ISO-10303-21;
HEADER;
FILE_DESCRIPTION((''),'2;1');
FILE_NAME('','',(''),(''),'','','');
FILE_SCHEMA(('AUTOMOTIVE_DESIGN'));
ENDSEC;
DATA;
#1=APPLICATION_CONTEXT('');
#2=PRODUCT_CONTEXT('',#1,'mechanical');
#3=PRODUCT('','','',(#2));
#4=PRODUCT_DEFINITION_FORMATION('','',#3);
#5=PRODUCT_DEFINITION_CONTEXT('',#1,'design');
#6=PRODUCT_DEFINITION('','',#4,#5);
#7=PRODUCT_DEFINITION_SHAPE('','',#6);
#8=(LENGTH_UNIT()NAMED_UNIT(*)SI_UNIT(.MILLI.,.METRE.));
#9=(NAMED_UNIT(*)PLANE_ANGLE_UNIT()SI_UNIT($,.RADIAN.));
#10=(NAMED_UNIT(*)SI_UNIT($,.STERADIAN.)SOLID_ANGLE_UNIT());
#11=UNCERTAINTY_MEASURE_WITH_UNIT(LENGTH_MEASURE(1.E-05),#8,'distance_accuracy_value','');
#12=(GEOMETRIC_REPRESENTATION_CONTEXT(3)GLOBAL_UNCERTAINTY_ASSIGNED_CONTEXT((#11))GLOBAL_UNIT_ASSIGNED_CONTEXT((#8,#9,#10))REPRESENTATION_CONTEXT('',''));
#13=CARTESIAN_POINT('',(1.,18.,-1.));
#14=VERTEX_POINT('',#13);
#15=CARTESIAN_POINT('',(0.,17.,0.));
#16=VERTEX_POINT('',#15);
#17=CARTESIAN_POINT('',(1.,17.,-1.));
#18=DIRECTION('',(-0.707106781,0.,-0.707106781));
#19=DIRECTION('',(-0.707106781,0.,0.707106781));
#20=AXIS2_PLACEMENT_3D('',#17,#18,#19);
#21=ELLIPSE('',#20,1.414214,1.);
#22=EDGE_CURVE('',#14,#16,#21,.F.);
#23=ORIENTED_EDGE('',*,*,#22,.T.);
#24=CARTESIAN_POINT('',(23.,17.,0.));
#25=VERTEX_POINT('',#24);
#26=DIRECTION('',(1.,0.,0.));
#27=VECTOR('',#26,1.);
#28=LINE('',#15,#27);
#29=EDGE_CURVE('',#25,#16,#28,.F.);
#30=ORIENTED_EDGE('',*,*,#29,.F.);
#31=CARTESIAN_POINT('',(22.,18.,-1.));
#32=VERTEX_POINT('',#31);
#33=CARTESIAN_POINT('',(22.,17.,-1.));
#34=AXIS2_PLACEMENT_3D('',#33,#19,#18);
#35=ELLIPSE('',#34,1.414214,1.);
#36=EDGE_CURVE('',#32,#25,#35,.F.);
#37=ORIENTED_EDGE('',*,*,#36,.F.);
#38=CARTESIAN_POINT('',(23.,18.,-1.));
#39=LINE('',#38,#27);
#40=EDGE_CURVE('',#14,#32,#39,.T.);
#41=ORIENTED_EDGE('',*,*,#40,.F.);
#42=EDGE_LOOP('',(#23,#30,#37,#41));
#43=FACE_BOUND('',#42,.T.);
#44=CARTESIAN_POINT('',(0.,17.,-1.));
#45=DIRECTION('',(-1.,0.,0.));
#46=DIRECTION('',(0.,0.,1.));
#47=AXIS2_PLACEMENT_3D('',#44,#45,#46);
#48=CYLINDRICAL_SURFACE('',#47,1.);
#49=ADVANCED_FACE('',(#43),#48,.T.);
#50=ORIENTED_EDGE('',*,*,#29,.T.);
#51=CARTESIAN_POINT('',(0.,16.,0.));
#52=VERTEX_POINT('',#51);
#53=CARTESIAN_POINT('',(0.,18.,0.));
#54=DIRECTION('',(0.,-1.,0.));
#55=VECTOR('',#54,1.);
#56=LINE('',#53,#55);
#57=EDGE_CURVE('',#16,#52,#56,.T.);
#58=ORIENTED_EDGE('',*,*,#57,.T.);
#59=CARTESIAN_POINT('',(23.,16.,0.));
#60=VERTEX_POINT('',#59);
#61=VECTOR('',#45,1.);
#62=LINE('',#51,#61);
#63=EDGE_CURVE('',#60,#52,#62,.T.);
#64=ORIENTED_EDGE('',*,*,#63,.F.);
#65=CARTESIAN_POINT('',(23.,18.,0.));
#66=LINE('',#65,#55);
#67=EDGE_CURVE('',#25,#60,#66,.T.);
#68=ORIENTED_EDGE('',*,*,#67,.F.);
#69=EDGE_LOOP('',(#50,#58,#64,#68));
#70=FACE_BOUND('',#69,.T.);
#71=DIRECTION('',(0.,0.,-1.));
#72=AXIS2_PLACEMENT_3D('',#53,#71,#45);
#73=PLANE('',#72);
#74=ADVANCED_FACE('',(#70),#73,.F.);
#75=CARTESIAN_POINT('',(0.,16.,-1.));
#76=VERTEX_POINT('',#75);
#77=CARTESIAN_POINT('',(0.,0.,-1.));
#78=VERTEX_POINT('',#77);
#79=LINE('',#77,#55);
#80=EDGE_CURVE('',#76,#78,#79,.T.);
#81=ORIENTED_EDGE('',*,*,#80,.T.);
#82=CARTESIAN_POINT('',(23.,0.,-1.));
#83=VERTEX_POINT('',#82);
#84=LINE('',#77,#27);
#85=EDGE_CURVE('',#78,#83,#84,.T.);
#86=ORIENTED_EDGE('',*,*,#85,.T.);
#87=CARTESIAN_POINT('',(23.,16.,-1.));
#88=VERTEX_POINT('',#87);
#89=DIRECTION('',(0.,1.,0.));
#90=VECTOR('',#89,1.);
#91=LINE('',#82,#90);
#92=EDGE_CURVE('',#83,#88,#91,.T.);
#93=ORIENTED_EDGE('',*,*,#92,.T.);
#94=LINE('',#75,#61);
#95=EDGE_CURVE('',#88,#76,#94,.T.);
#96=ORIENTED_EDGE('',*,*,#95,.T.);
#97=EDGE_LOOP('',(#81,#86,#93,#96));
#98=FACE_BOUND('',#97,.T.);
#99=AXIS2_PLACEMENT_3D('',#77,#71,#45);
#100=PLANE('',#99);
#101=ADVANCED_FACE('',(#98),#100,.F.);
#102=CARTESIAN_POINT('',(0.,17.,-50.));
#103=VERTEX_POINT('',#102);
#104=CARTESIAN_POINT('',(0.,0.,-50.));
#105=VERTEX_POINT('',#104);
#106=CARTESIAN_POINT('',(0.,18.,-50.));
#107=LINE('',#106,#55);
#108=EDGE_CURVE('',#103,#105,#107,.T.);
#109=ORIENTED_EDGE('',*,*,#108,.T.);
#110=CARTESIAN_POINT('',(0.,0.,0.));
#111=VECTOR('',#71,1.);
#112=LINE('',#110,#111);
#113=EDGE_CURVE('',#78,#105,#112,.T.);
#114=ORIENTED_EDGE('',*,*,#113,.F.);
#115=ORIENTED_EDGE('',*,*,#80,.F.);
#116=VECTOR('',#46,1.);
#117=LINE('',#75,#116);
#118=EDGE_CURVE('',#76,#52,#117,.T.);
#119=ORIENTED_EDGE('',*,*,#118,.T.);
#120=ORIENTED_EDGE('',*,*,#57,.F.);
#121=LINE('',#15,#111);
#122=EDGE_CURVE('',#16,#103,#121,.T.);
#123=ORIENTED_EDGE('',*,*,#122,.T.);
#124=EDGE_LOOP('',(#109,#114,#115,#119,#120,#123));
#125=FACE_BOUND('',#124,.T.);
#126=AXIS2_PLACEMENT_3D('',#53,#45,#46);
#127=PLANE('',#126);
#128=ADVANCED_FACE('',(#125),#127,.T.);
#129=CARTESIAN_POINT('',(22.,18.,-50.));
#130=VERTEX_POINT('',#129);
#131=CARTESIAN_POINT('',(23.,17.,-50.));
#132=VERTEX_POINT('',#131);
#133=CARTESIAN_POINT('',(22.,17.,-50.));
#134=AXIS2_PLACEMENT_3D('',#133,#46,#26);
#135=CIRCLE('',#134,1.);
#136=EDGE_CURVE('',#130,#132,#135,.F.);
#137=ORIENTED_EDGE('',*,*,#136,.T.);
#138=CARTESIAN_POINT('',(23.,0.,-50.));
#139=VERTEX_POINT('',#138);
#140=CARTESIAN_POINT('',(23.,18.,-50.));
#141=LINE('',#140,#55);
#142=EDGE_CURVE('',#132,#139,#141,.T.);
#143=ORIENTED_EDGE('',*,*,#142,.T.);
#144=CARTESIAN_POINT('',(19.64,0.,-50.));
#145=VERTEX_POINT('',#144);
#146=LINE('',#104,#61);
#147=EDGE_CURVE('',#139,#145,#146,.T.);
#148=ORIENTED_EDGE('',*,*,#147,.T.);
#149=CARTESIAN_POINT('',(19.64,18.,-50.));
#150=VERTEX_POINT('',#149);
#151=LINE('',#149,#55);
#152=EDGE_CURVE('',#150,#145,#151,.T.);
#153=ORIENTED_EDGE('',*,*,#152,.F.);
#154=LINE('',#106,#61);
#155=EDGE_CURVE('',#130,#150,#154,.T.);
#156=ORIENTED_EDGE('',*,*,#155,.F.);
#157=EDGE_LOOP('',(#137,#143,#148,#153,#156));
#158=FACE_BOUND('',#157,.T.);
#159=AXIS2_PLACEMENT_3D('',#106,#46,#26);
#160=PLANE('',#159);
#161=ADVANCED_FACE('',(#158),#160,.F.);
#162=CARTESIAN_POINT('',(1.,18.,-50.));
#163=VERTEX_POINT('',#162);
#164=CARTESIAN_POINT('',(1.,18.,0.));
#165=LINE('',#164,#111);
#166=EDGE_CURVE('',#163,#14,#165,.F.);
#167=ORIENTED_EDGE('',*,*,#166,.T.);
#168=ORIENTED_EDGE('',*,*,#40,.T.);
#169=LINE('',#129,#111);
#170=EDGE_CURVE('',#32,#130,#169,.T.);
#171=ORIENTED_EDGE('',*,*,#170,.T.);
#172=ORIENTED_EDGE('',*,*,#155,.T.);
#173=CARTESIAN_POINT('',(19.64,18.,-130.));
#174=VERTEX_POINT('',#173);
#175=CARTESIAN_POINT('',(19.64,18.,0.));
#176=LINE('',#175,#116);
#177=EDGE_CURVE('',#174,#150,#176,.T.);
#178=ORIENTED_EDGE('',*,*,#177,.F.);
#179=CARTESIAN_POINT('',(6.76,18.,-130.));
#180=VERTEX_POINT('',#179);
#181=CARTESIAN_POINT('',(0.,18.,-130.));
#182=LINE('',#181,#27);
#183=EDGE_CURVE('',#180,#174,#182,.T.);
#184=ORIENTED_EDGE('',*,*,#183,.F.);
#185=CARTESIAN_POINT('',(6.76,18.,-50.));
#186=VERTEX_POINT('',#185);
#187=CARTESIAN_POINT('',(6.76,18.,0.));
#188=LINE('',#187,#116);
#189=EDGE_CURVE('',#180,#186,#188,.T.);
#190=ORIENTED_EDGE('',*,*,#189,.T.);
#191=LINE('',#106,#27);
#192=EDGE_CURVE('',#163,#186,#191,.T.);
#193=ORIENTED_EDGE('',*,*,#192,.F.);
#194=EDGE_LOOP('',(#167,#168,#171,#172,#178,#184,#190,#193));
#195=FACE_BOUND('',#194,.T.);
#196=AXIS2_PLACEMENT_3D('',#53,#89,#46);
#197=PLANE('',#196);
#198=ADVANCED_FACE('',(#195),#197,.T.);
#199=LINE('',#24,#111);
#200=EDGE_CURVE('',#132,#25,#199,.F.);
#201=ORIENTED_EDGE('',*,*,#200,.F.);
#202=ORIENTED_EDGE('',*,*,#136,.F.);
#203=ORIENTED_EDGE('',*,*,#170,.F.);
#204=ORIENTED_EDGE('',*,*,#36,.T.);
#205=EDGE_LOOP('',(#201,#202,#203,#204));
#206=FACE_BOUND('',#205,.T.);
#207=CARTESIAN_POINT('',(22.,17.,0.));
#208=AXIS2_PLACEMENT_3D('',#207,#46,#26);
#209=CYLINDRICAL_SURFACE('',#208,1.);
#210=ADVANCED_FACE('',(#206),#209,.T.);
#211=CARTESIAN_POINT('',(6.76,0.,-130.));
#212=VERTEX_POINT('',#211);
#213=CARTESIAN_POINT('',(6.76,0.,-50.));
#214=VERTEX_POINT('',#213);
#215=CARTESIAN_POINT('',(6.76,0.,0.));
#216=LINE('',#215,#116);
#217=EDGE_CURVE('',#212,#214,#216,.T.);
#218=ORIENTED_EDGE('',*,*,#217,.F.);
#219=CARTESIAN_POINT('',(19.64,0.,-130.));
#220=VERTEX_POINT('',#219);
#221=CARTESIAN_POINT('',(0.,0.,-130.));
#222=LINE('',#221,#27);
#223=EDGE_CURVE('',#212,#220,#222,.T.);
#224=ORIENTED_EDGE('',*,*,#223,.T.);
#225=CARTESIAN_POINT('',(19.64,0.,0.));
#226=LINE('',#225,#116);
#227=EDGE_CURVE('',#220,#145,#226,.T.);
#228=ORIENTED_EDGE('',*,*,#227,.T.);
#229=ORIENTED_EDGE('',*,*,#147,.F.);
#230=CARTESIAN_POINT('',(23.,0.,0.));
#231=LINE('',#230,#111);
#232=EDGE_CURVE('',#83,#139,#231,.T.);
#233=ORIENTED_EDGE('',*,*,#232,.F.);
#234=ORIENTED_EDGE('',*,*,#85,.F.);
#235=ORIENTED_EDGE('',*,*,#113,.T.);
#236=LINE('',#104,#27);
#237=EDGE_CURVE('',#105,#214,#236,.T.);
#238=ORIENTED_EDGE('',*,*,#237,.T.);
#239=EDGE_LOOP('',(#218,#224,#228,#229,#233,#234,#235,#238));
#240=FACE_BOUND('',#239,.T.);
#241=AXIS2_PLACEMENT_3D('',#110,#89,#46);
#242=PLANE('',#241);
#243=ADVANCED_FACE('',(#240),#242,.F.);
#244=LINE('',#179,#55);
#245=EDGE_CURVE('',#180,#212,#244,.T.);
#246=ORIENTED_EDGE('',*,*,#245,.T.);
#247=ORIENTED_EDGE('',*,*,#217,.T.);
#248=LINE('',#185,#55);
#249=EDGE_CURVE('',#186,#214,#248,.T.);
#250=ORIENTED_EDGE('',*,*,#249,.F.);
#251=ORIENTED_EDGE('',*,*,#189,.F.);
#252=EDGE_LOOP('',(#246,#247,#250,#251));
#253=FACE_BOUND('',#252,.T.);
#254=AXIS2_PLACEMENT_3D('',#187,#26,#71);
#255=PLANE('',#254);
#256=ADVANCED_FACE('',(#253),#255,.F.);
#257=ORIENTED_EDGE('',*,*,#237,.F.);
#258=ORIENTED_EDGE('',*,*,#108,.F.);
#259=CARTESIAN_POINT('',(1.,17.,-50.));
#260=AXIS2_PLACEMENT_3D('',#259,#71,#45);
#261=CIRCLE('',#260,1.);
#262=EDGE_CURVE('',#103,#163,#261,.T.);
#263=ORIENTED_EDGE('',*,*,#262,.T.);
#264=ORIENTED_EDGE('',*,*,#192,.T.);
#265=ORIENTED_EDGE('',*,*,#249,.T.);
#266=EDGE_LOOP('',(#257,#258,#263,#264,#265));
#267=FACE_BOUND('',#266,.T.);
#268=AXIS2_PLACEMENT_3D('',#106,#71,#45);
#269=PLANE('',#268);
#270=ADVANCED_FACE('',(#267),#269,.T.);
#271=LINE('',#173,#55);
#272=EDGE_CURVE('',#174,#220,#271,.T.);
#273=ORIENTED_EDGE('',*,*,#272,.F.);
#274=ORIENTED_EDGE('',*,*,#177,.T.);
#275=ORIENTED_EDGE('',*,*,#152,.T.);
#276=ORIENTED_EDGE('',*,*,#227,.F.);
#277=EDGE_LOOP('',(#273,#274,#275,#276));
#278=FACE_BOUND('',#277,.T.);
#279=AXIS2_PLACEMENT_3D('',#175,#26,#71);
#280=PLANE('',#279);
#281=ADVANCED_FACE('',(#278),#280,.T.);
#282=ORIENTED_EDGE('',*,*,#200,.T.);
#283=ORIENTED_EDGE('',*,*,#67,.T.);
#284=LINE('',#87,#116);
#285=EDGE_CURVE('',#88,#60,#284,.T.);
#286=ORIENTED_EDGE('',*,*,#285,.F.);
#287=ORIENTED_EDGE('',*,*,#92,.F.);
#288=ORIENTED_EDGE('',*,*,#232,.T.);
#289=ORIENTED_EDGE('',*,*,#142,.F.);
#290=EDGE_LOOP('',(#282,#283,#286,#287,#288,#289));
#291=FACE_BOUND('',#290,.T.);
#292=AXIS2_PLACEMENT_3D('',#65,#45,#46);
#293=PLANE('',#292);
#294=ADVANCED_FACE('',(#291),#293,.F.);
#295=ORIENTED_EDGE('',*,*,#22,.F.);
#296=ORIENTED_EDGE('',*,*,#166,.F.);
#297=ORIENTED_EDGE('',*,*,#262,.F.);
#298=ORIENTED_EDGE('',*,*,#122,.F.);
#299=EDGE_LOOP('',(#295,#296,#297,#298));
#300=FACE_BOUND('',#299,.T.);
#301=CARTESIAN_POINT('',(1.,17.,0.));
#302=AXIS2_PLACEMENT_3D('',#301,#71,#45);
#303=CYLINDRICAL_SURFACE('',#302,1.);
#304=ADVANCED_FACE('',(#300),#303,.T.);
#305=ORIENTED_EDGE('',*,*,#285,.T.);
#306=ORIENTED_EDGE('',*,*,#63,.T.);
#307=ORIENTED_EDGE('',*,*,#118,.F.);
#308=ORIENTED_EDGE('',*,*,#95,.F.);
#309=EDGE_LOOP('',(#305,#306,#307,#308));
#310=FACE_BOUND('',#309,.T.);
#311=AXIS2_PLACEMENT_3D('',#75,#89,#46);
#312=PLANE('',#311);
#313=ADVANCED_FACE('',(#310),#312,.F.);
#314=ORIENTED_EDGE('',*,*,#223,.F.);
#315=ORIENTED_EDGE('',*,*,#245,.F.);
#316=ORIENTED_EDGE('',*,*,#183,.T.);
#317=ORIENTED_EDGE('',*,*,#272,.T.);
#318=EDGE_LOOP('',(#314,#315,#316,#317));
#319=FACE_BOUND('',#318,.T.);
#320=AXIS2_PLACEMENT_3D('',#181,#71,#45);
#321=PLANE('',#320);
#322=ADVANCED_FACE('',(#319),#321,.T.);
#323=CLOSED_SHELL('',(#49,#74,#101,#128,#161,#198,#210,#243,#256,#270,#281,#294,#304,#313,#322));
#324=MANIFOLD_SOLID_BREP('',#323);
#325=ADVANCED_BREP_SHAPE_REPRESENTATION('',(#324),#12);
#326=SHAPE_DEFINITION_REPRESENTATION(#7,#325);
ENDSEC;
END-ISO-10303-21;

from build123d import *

# Parameters (mm, degrees)
SALIENTE_EXTRUIR1_DEPTH = 18
CROQUIS3_W              = 23
CROQUIS3_H              = 16
CORTAR_EXTRUIR1_DEPTH   = 1
REDONDEO1_R             = 1


with BuildPart() as part:
    # Croquis2 → Saliente-Extruir1 (new body)
    with BuildSketch(Plane(origin=(0, 0, 0), x_dir=(1, 0, 0), z_dir=(0, 1, 0))):
        Polygon((0, 50), (0, 0), (23, 0), (23, 50), (19.64, 50), (19.64, 130), (6.76, 130), (6.76, 50), align=None)
    extrude(amount=SALIENTE_EXTRUIR1_DEPTH)

    # Croquis3 → Cortar-Extruir1 (cut)
    with BuildSketch(Plane.XY):
        with Locations((11.5, 8)):
            Rectangle(CROQUIS3_W, CROQUIS3_H)
    extrude(amount=-CORTAR_EXTRUIR1_DEPTH, mode=Mode.SUBTRACT)

    # Redondeo1
    redondeo1_edges = [part.edges().sort_by_distance(p)[0] for p in [
        (0, 18, -25),
        (11.5, 18, 0),
        (23, 18, -25),
    ]]
    fillet(redondeo1_edges, radius=REDONDEO1_R)


solid = part.part
